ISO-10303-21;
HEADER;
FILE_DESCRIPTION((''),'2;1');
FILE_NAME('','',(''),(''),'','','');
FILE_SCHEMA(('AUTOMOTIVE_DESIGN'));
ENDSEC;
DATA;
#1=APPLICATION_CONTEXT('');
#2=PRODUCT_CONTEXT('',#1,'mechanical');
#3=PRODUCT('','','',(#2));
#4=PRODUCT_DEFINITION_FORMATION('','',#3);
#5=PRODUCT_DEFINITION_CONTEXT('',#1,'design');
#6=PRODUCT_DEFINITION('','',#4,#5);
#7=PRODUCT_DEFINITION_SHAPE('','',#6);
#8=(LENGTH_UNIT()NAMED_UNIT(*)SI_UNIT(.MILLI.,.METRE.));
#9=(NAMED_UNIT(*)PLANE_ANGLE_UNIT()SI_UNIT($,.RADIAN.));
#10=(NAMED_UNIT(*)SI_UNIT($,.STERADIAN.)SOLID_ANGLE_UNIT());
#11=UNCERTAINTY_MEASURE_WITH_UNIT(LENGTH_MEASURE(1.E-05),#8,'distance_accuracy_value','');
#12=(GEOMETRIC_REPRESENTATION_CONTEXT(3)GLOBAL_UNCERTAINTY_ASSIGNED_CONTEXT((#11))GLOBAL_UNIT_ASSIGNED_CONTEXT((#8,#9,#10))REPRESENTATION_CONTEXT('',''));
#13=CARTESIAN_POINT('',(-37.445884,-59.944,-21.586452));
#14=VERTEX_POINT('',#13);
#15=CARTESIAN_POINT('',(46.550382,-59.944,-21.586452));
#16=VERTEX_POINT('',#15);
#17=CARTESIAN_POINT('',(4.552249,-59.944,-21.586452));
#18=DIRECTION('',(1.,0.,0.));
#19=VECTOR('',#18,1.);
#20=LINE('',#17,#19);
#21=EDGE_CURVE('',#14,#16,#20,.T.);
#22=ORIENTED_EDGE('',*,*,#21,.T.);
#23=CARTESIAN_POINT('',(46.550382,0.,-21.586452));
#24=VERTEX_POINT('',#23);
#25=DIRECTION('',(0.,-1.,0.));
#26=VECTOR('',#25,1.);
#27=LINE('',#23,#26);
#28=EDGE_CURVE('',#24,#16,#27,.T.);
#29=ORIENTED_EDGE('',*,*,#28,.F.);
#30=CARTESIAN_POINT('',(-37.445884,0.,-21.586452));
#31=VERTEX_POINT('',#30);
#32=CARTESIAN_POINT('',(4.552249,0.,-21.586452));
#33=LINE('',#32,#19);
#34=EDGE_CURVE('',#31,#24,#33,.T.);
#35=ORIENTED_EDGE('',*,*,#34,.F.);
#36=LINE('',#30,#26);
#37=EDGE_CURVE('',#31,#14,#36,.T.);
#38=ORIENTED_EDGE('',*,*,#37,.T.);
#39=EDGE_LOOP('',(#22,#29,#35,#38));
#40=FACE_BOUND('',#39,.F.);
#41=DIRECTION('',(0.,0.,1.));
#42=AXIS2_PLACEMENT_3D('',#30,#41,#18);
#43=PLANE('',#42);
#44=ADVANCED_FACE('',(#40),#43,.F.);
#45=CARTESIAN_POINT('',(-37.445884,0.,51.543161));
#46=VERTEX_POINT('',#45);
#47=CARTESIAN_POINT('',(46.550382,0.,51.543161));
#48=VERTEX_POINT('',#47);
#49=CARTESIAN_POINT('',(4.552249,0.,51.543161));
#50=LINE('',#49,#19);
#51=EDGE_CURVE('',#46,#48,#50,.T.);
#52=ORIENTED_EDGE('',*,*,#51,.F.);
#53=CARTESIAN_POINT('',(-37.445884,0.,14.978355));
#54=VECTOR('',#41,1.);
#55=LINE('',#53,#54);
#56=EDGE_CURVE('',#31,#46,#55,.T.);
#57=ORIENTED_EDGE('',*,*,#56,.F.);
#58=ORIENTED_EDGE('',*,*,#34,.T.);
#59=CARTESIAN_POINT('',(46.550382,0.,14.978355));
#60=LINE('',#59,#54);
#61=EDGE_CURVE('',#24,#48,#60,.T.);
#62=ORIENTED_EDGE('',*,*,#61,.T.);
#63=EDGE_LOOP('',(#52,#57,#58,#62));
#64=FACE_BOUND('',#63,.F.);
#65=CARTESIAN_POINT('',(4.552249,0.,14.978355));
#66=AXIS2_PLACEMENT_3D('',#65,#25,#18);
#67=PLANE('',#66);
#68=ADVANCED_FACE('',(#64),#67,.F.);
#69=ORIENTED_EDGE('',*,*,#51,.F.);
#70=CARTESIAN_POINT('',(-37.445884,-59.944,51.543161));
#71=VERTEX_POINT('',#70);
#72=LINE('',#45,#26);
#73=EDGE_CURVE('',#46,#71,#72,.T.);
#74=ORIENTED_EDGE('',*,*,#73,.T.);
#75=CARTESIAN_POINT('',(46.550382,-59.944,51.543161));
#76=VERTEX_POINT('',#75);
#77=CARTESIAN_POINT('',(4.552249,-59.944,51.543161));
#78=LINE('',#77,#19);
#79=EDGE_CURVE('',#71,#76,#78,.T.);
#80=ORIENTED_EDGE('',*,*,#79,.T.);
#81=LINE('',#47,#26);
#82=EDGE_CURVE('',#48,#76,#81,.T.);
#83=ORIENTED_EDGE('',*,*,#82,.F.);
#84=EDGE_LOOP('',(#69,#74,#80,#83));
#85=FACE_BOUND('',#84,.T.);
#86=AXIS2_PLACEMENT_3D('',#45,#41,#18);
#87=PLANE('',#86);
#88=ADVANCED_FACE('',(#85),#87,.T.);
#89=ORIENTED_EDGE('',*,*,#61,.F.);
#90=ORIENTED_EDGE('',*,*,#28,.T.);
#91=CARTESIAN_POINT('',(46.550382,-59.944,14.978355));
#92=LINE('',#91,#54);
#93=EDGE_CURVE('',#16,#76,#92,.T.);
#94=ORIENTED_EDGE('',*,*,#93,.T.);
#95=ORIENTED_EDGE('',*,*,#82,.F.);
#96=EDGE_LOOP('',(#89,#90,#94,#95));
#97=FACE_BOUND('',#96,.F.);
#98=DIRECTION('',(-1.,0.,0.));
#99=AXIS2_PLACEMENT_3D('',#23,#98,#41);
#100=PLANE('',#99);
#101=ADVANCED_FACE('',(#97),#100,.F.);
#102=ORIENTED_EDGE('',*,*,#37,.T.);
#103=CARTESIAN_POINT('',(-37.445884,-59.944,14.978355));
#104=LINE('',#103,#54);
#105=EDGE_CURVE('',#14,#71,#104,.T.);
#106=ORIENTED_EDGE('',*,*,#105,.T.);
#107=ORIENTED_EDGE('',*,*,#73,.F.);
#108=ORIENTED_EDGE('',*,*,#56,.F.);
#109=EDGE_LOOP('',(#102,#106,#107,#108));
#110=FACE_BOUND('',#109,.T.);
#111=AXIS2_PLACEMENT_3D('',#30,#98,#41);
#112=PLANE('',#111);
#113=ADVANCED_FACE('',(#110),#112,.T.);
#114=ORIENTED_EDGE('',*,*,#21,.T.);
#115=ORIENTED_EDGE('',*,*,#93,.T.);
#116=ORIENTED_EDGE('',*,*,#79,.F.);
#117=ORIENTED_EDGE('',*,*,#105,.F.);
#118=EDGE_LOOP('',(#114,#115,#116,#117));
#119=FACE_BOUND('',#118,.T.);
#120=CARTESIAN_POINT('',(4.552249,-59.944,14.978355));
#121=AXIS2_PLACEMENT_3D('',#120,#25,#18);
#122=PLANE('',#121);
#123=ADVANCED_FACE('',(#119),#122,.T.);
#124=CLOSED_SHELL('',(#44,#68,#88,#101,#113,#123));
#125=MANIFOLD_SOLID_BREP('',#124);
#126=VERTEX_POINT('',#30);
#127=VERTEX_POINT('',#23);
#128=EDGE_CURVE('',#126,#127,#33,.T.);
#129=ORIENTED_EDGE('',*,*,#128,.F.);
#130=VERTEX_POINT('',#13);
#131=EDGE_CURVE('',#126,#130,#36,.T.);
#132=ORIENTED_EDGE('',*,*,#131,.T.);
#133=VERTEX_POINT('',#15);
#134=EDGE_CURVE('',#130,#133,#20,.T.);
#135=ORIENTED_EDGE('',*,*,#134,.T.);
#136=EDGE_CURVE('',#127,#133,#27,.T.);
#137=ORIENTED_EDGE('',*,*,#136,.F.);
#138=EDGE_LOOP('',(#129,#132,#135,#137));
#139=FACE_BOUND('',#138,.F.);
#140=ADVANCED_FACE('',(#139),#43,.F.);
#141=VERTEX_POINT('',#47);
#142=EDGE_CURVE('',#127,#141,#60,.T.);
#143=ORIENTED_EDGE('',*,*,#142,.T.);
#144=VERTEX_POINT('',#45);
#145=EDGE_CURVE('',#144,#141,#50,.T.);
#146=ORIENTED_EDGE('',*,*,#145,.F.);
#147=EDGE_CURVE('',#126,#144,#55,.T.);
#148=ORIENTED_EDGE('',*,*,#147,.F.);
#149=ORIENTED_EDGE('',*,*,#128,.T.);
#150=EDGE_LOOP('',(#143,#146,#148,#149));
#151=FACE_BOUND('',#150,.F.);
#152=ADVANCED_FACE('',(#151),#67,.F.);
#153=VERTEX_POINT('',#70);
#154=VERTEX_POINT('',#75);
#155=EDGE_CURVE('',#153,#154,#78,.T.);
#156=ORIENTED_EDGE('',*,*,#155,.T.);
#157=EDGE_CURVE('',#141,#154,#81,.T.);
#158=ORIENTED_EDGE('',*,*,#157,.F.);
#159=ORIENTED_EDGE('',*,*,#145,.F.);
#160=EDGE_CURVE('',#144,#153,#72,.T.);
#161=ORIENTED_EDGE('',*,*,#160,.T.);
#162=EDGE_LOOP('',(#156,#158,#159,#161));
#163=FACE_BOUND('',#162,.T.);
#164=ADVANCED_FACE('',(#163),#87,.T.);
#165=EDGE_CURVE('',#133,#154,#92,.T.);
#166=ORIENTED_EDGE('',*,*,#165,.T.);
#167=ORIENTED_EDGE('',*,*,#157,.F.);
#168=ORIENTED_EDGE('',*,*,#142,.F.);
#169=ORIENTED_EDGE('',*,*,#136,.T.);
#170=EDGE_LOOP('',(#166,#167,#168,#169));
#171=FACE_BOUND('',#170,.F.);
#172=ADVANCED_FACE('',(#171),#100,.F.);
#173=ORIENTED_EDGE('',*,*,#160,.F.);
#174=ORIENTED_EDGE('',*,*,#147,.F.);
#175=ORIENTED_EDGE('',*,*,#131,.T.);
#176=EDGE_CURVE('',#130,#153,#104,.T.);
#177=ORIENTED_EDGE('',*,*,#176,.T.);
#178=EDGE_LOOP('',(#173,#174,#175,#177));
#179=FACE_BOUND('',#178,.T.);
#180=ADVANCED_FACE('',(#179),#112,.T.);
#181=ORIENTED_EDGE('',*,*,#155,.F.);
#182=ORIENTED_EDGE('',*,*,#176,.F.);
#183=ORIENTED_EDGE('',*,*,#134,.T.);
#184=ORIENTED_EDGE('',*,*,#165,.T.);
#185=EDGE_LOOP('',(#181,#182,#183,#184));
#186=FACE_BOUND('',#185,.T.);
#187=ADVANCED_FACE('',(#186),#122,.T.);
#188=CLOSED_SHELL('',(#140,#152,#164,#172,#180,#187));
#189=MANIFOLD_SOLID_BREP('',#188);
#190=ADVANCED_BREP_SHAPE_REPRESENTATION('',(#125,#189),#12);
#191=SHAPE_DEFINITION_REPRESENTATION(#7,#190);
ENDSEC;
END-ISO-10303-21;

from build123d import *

# Parameters (mm, degrees)
F0_W     = 83.9962661266
F0_H     = 73.1296129525
F2_DEPTH = 59.944
F1_W     = 83.9962661266
F1_H     = 73.1296129525


with BuildPart() as f2:
    # F0 (on Front) → F2 (new body)
    with BuildSketch(Plane.XZ):
        with Locations((4.5522488654, 14.9783547968)):
            Rectangle(F0_W, F0_H)
    extrude(amount=F2_DEPTH)


with BuildPart() as f2b:
    # F1 (on face) → F2, piece 2 (new body)
    with BuildSketch(Plane.XZ):
        with Locations((4.5522488654, 14.9783547968)):
            Rectangle(F1_W, F1_H)
    extrude(amount=F2_DEPTH)


solid = Compound([f2.part, f2b.part])
